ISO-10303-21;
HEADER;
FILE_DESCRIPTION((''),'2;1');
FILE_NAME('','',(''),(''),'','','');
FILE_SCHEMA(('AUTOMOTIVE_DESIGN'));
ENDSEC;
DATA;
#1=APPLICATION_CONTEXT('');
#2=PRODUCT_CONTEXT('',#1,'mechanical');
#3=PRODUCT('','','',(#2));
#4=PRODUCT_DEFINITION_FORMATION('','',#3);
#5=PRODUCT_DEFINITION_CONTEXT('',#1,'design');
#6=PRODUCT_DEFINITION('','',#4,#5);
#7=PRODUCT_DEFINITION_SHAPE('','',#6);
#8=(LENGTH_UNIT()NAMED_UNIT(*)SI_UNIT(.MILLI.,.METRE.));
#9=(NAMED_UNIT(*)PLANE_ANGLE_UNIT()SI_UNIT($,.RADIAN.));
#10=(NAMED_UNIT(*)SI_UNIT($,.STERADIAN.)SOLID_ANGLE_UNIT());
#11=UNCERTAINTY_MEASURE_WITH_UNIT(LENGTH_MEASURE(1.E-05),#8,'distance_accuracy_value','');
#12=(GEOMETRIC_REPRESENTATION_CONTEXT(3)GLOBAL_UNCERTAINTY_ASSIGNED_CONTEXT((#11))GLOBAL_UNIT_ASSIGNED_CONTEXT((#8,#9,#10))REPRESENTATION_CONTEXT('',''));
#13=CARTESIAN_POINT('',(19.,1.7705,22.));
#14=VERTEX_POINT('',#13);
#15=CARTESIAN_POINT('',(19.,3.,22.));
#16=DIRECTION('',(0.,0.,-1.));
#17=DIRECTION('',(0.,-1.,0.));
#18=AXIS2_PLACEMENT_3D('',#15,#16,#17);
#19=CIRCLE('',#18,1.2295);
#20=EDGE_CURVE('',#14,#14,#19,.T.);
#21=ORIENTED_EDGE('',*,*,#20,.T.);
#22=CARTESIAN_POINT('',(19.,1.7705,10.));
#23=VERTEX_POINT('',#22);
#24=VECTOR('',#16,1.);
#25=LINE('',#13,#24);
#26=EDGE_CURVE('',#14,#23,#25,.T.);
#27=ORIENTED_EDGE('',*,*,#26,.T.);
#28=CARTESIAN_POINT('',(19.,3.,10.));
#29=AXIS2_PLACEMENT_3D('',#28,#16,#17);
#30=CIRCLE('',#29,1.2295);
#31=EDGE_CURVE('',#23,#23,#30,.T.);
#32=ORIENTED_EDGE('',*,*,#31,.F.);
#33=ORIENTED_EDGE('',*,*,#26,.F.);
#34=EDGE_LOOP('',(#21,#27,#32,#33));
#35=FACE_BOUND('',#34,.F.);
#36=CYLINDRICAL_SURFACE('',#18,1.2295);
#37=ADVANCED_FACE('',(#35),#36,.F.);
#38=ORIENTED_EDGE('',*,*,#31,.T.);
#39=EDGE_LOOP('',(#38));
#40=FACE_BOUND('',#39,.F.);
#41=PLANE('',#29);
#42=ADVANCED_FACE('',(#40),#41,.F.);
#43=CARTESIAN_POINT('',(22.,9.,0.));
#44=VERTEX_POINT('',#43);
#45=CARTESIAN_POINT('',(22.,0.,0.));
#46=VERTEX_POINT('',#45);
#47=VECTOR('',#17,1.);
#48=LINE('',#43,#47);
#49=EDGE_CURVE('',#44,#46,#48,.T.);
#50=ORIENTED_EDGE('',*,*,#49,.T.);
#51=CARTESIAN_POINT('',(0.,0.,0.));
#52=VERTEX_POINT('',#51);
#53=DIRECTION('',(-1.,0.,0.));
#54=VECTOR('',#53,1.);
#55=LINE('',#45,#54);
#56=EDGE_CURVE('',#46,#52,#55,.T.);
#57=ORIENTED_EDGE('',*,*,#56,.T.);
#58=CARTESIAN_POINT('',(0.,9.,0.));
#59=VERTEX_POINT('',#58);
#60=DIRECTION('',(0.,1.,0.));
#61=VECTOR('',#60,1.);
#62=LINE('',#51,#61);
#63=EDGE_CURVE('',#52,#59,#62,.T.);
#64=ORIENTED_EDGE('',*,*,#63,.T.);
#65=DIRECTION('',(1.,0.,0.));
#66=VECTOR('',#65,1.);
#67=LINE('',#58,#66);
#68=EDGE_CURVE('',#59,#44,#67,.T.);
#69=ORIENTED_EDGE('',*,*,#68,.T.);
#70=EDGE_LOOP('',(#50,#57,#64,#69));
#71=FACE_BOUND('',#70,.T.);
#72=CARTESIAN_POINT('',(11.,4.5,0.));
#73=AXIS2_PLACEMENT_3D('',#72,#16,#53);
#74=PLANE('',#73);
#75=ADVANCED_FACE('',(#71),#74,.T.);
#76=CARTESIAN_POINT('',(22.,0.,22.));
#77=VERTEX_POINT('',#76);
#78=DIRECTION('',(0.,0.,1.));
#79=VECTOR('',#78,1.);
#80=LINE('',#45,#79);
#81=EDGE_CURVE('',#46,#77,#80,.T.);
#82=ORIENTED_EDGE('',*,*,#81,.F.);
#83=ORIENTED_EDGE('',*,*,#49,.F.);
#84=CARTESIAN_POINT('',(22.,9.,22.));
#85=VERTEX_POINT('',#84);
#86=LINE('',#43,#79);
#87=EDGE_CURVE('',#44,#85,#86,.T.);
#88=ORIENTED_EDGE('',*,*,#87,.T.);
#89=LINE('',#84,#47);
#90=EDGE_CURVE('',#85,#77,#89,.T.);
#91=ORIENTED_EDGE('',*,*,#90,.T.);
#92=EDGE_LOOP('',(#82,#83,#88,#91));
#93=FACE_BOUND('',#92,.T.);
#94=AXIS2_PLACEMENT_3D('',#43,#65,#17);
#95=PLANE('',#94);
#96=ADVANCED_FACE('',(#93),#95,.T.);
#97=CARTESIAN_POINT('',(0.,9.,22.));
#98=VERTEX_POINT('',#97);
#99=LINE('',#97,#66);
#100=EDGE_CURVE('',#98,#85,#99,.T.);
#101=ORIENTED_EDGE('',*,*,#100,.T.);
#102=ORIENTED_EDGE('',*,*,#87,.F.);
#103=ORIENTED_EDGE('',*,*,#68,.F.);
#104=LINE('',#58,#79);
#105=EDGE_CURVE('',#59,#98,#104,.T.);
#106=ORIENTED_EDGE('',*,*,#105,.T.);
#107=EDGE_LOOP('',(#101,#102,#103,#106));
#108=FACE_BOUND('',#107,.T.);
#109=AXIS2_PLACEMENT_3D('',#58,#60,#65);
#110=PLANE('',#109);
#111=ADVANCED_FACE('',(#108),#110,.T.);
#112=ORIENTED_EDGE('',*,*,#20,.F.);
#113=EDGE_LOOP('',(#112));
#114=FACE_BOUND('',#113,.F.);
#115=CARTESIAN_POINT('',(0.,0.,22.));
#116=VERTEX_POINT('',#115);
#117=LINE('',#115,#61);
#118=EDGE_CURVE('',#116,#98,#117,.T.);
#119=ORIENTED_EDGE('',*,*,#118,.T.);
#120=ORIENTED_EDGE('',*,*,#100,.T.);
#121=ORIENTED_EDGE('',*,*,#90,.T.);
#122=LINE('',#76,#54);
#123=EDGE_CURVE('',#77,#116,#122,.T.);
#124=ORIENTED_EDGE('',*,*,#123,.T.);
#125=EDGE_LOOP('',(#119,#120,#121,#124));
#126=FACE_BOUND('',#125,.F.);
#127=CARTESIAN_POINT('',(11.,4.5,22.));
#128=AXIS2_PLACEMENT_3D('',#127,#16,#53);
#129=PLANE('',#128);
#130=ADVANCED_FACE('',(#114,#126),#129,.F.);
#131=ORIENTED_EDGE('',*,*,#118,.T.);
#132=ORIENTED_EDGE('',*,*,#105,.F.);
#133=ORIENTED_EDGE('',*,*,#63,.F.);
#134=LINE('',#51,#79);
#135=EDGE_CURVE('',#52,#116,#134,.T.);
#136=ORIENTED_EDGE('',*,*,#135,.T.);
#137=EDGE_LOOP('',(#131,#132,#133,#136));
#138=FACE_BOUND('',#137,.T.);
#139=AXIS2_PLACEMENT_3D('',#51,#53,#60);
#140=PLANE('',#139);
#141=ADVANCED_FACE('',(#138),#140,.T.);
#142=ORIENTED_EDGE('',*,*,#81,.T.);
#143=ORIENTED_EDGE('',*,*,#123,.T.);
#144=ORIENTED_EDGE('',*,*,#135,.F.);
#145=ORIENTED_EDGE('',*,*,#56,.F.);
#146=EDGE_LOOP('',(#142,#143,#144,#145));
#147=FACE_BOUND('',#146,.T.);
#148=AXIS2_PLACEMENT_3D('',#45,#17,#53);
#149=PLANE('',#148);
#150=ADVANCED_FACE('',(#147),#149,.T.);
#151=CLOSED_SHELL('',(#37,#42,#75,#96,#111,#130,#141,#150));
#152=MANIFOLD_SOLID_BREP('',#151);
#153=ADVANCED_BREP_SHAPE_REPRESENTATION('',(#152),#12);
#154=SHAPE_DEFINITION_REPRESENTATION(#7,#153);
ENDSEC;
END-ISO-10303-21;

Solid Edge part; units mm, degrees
sketch "Sketch1" plane through (0, 0, 0) normal (0, 0, 1) x (1, 0, 0)
  line L0 (0, 9) -> (22, 9)
  line L1 (22, 9) -> (22, 0)
  line L2 (22, 0) -> (0, 0)
  line L3 (0, 0) -> (0, 9)
  dimension "D1" = 22
  dimension "D2" = 9
extrude "Ajout_matière_1" add sketch "Sketch1" along normal blind 22
hole "Perçage_1" [suppressed]
hole "Perçage_2" [suppressed]
hole "Perçage_3" at (19, 3, 22) direction (0, 0, -1) diameter 2.459 depth 12 thread major 3 thread length 0.01
properties material "Plastique ABS, haute performance"
